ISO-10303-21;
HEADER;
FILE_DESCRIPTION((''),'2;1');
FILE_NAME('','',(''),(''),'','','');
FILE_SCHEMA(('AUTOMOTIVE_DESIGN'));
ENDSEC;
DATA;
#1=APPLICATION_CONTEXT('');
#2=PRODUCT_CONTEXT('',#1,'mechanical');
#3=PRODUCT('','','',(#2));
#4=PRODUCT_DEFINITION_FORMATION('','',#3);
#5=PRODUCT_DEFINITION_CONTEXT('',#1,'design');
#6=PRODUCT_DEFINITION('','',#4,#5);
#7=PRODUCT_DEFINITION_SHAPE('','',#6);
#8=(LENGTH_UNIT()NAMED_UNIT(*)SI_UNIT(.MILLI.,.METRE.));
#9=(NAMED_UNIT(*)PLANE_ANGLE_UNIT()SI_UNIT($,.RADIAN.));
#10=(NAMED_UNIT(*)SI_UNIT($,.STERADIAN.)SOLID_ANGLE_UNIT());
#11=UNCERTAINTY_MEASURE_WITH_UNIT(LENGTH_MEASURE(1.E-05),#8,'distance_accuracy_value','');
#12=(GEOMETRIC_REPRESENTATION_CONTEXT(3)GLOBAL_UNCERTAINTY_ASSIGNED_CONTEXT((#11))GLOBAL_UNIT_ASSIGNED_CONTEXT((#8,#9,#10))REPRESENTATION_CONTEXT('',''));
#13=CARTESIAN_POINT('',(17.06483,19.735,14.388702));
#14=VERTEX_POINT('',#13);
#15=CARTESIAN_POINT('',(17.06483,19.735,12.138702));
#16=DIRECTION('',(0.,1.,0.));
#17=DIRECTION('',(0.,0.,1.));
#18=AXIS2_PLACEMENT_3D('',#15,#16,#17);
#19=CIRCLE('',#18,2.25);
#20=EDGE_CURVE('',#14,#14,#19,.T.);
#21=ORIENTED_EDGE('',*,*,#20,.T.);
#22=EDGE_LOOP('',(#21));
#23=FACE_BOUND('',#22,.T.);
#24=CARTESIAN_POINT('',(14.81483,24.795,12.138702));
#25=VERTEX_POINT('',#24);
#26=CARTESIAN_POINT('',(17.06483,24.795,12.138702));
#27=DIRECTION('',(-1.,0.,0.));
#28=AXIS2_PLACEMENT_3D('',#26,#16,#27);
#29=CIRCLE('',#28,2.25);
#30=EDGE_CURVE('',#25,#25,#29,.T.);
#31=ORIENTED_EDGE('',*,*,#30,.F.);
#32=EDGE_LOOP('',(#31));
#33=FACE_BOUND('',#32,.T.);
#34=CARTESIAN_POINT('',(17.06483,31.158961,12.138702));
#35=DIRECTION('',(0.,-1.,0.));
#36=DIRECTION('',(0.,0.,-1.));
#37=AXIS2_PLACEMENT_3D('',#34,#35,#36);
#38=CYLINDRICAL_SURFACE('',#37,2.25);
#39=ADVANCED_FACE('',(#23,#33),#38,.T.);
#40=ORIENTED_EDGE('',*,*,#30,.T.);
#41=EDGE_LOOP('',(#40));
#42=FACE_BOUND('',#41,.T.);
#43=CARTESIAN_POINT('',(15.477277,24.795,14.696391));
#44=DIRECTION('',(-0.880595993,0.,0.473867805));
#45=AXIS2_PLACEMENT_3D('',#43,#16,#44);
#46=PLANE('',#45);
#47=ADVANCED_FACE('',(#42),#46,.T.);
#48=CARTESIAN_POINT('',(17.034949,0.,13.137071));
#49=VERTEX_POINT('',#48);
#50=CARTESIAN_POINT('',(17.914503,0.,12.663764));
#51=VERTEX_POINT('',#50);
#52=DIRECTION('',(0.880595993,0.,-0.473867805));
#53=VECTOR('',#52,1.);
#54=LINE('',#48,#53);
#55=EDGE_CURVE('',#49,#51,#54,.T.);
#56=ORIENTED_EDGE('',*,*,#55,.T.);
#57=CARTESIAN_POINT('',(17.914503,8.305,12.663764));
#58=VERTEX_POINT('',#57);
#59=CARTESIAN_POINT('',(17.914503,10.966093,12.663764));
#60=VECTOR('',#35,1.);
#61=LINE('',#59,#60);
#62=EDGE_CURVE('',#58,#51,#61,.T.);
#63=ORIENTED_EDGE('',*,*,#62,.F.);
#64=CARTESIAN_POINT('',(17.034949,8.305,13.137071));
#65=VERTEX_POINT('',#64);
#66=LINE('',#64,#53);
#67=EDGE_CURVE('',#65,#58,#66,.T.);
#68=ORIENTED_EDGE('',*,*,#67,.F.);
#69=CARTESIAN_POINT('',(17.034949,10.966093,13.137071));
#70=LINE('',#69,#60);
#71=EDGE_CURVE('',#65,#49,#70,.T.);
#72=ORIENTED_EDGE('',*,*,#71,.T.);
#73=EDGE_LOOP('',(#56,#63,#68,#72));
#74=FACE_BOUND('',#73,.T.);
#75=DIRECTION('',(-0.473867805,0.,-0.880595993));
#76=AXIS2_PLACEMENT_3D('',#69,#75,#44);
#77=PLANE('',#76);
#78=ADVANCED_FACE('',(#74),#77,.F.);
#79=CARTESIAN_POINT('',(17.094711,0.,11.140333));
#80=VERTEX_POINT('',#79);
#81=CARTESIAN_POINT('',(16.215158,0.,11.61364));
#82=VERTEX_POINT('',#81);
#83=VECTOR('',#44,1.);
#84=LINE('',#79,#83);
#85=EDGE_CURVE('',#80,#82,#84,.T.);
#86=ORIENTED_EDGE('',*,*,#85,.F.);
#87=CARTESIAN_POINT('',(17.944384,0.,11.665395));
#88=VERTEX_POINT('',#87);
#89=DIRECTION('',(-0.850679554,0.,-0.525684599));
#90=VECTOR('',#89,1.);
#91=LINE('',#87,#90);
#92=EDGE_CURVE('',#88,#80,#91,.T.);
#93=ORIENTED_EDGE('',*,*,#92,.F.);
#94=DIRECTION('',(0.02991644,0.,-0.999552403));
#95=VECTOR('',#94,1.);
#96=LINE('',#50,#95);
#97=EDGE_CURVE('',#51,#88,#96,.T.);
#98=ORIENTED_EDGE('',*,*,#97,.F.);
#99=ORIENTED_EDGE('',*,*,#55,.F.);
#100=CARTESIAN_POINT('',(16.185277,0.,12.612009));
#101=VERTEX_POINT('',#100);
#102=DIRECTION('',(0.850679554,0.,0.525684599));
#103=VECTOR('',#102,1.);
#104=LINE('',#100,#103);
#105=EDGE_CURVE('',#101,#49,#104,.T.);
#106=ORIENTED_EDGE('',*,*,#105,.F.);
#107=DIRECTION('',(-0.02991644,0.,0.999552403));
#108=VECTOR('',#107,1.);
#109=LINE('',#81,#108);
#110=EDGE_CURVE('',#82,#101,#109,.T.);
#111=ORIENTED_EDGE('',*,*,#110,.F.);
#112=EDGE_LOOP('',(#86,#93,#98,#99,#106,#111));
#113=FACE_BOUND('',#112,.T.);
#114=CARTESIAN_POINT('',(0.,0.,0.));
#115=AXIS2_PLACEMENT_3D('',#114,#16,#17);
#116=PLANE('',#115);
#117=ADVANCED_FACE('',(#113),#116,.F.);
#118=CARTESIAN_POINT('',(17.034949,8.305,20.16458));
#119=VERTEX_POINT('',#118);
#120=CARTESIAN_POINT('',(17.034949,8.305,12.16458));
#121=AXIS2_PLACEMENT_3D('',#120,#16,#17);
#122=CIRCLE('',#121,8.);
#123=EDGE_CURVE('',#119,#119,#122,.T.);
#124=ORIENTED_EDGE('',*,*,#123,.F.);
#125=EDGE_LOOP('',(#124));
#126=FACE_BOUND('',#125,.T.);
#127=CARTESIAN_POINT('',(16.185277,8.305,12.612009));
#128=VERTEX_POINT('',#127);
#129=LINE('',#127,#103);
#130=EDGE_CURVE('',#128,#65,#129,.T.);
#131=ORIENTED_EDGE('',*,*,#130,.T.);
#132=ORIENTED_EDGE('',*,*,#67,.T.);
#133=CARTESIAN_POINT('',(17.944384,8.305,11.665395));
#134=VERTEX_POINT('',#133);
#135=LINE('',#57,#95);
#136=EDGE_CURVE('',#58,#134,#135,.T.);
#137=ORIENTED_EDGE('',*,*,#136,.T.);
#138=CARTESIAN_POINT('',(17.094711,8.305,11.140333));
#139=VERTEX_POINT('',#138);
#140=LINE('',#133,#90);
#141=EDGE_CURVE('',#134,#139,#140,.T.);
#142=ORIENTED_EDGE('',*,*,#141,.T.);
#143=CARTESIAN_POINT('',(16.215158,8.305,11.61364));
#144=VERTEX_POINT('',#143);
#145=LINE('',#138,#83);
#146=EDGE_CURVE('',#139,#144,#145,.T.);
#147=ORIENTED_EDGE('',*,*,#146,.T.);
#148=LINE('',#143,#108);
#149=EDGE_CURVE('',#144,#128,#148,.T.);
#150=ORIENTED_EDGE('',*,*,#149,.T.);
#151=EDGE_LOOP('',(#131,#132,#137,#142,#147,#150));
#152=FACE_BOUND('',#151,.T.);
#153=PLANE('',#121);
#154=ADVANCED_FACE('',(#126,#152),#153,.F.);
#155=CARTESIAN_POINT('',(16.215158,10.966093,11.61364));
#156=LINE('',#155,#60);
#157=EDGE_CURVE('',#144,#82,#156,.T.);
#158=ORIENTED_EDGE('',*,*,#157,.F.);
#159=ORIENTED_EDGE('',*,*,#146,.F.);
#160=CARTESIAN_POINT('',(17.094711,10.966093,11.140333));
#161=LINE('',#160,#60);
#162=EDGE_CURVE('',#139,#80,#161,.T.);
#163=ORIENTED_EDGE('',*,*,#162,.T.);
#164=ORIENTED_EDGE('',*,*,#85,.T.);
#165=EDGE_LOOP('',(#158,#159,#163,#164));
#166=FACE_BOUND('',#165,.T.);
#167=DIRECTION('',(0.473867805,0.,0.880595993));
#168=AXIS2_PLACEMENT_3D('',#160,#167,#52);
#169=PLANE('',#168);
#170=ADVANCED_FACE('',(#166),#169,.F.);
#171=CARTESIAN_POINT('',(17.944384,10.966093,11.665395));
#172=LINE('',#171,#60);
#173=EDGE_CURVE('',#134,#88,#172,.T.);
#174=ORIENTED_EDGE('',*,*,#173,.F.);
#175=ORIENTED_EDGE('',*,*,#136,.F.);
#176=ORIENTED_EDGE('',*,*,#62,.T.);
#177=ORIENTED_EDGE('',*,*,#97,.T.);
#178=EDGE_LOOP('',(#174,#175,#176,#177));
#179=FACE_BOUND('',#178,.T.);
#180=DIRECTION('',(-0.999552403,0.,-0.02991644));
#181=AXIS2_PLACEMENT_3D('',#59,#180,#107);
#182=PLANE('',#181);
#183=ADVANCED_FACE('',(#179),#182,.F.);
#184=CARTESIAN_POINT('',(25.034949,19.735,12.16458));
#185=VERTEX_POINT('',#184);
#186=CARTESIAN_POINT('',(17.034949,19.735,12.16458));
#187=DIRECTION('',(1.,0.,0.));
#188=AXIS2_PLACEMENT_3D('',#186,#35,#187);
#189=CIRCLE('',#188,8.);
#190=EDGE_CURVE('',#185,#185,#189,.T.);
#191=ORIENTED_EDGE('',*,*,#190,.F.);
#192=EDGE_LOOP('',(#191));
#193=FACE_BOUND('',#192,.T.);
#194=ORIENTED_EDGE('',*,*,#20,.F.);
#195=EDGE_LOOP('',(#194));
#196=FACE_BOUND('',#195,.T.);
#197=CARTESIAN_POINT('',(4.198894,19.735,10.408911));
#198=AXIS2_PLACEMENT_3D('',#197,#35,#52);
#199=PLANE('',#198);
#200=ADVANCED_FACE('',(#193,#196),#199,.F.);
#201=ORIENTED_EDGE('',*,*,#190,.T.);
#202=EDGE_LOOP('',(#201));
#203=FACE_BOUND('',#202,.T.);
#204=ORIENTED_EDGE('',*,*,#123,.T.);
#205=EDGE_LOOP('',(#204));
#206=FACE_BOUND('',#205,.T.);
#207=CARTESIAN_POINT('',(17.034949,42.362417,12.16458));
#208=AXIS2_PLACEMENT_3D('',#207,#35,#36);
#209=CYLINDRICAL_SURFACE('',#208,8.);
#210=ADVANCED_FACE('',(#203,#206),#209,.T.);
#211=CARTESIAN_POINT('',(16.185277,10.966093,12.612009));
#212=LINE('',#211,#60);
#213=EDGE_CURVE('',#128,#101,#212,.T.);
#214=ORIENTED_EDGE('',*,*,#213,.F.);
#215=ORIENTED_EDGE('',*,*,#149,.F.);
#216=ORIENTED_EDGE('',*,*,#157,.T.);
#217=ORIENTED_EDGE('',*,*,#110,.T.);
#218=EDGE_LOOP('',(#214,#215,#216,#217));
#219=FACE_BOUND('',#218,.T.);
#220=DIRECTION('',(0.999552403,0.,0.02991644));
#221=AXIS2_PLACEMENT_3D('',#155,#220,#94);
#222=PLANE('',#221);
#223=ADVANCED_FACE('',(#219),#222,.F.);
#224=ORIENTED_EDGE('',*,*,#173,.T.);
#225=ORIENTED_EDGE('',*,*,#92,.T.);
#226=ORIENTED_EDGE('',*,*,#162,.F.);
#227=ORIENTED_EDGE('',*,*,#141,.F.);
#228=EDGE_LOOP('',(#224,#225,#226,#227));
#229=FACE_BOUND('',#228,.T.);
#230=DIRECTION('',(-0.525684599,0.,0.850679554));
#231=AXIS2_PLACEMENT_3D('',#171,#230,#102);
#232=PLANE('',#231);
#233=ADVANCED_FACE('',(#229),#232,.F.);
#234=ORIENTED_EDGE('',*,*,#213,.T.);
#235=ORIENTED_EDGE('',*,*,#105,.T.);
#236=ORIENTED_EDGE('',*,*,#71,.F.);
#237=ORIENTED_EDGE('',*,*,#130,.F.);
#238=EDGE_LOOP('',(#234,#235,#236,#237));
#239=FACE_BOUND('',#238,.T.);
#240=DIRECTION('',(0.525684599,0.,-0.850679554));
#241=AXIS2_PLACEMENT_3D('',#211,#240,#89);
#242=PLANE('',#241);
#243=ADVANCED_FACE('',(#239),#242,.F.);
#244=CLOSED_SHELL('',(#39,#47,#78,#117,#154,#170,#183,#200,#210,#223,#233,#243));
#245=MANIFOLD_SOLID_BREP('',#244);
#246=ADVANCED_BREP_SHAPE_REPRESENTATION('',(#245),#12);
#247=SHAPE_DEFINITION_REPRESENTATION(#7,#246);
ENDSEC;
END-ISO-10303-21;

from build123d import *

# Parameters (mm, degrees)
BOSS_EXTRUDE1_DEPTH = 8.305
SKETCH2_R           = 8
BOSS_EXTRUDE2_DEPTH = 11.43
SKETCH3_R           = 2.25
BOSS_EXTRUDE3_DEPTH = 5.06


with BuildPart() as part:
    # Sketch1 → Boss-Extrude1 (new body)
    with BuildSketch(Plane(origin=(0, 0, 0), x_dir=(1, 0, 0), z_dir=(0, 1, 0))):
        Polygon((17.034949463, -13.137071019), (17.914502801, -12.66376429), (17.944383819, -11.665395391), (17.094711499, -11.140333221), (16.215158161, -11.61363995), (16.185277144, -12.612008849), align=None)
    extrude(amount=BOSS_EXTRUDE1_DEPTH)

    # Sketch2 → Boss-Extrude2 (add)
    with BuildSketch(Plane(origin=(0, 8.305, 0), x_dir=(1, 0, 0), z_dir=(0, 1, 0))):
        with Locations((17.034949463, -12.16457984)):
            Circle(SKETCH2_R)
    extrude(amount=BOSS_EXTRUDE2_DEPTH)

    # Sketch3 → Boss-Extrude3 (add)
    with BuildSketch(Plane(origin=(0, 19.735, 0), x_dir=(1, 0, 0), z_dir=(0, 1, 0))):
        with Locations((17.064830481, -12.13870212)):
            Circle(SKETCH3_R)
    extrude(amount=BOSS_EXTRUDE3_DEPTH)


solid = part.part
